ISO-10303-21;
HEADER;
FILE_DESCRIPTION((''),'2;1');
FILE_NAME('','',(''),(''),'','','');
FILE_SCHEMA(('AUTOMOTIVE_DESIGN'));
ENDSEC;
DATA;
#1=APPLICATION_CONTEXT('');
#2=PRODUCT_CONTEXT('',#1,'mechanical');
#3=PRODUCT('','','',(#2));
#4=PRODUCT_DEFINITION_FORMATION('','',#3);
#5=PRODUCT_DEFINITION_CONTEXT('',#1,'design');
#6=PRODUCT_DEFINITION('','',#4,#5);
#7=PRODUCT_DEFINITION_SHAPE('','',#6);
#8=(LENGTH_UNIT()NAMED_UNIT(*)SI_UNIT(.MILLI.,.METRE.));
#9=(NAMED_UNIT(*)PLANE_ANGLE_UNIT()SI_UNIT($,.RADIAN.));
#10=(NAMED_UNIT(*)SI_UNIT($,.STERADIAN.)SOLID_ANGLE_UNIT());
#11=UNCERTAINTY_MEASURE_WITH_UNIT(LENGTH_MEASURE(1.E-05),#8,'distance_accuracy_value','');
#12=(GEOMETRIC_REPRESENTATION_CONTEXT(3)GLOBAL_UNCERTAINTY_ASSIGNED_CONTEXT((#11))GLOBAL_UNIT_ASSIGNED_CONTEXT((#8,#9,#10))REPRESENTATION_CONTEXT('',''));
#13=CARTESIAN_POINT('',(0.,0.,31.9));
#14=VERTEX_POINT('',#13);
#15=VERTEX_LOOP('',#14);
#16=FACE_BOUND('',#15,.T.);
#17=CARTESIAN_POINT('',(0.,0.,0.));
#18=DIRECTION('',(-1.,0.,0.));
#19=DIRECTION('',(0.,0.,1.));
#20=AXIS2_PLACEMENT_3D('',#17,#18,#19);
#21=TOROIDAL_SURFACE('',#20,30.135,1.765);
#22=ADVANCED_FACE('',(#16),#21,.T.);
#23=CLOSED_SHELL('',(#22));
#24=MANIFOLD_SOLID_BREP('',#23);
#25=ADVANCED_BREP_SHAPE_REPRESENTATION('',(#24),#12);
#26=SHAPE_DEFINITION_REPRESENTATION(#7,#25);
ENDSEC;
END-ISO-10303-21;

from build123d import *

# Parameters (mm, degrees)
SKETCH_1_R = 1.765


with BuildPart() as part:
    # 草图1 → 旋转1 (revolve)
    with BuildSketch(Plane.XY, mode=Mode.PRIVATE) as revolve_1_sk:
        with Locations((0, 30.135)):
            Circle(SKETCH_1_R)
    revolve(revolve_1_sk.sketch.rotate(Axis((0, 0, 0), (1, 0, 0)), 90), axis=Axis((0, 0, 0), (1, 0, 0)))


solid = part.part
